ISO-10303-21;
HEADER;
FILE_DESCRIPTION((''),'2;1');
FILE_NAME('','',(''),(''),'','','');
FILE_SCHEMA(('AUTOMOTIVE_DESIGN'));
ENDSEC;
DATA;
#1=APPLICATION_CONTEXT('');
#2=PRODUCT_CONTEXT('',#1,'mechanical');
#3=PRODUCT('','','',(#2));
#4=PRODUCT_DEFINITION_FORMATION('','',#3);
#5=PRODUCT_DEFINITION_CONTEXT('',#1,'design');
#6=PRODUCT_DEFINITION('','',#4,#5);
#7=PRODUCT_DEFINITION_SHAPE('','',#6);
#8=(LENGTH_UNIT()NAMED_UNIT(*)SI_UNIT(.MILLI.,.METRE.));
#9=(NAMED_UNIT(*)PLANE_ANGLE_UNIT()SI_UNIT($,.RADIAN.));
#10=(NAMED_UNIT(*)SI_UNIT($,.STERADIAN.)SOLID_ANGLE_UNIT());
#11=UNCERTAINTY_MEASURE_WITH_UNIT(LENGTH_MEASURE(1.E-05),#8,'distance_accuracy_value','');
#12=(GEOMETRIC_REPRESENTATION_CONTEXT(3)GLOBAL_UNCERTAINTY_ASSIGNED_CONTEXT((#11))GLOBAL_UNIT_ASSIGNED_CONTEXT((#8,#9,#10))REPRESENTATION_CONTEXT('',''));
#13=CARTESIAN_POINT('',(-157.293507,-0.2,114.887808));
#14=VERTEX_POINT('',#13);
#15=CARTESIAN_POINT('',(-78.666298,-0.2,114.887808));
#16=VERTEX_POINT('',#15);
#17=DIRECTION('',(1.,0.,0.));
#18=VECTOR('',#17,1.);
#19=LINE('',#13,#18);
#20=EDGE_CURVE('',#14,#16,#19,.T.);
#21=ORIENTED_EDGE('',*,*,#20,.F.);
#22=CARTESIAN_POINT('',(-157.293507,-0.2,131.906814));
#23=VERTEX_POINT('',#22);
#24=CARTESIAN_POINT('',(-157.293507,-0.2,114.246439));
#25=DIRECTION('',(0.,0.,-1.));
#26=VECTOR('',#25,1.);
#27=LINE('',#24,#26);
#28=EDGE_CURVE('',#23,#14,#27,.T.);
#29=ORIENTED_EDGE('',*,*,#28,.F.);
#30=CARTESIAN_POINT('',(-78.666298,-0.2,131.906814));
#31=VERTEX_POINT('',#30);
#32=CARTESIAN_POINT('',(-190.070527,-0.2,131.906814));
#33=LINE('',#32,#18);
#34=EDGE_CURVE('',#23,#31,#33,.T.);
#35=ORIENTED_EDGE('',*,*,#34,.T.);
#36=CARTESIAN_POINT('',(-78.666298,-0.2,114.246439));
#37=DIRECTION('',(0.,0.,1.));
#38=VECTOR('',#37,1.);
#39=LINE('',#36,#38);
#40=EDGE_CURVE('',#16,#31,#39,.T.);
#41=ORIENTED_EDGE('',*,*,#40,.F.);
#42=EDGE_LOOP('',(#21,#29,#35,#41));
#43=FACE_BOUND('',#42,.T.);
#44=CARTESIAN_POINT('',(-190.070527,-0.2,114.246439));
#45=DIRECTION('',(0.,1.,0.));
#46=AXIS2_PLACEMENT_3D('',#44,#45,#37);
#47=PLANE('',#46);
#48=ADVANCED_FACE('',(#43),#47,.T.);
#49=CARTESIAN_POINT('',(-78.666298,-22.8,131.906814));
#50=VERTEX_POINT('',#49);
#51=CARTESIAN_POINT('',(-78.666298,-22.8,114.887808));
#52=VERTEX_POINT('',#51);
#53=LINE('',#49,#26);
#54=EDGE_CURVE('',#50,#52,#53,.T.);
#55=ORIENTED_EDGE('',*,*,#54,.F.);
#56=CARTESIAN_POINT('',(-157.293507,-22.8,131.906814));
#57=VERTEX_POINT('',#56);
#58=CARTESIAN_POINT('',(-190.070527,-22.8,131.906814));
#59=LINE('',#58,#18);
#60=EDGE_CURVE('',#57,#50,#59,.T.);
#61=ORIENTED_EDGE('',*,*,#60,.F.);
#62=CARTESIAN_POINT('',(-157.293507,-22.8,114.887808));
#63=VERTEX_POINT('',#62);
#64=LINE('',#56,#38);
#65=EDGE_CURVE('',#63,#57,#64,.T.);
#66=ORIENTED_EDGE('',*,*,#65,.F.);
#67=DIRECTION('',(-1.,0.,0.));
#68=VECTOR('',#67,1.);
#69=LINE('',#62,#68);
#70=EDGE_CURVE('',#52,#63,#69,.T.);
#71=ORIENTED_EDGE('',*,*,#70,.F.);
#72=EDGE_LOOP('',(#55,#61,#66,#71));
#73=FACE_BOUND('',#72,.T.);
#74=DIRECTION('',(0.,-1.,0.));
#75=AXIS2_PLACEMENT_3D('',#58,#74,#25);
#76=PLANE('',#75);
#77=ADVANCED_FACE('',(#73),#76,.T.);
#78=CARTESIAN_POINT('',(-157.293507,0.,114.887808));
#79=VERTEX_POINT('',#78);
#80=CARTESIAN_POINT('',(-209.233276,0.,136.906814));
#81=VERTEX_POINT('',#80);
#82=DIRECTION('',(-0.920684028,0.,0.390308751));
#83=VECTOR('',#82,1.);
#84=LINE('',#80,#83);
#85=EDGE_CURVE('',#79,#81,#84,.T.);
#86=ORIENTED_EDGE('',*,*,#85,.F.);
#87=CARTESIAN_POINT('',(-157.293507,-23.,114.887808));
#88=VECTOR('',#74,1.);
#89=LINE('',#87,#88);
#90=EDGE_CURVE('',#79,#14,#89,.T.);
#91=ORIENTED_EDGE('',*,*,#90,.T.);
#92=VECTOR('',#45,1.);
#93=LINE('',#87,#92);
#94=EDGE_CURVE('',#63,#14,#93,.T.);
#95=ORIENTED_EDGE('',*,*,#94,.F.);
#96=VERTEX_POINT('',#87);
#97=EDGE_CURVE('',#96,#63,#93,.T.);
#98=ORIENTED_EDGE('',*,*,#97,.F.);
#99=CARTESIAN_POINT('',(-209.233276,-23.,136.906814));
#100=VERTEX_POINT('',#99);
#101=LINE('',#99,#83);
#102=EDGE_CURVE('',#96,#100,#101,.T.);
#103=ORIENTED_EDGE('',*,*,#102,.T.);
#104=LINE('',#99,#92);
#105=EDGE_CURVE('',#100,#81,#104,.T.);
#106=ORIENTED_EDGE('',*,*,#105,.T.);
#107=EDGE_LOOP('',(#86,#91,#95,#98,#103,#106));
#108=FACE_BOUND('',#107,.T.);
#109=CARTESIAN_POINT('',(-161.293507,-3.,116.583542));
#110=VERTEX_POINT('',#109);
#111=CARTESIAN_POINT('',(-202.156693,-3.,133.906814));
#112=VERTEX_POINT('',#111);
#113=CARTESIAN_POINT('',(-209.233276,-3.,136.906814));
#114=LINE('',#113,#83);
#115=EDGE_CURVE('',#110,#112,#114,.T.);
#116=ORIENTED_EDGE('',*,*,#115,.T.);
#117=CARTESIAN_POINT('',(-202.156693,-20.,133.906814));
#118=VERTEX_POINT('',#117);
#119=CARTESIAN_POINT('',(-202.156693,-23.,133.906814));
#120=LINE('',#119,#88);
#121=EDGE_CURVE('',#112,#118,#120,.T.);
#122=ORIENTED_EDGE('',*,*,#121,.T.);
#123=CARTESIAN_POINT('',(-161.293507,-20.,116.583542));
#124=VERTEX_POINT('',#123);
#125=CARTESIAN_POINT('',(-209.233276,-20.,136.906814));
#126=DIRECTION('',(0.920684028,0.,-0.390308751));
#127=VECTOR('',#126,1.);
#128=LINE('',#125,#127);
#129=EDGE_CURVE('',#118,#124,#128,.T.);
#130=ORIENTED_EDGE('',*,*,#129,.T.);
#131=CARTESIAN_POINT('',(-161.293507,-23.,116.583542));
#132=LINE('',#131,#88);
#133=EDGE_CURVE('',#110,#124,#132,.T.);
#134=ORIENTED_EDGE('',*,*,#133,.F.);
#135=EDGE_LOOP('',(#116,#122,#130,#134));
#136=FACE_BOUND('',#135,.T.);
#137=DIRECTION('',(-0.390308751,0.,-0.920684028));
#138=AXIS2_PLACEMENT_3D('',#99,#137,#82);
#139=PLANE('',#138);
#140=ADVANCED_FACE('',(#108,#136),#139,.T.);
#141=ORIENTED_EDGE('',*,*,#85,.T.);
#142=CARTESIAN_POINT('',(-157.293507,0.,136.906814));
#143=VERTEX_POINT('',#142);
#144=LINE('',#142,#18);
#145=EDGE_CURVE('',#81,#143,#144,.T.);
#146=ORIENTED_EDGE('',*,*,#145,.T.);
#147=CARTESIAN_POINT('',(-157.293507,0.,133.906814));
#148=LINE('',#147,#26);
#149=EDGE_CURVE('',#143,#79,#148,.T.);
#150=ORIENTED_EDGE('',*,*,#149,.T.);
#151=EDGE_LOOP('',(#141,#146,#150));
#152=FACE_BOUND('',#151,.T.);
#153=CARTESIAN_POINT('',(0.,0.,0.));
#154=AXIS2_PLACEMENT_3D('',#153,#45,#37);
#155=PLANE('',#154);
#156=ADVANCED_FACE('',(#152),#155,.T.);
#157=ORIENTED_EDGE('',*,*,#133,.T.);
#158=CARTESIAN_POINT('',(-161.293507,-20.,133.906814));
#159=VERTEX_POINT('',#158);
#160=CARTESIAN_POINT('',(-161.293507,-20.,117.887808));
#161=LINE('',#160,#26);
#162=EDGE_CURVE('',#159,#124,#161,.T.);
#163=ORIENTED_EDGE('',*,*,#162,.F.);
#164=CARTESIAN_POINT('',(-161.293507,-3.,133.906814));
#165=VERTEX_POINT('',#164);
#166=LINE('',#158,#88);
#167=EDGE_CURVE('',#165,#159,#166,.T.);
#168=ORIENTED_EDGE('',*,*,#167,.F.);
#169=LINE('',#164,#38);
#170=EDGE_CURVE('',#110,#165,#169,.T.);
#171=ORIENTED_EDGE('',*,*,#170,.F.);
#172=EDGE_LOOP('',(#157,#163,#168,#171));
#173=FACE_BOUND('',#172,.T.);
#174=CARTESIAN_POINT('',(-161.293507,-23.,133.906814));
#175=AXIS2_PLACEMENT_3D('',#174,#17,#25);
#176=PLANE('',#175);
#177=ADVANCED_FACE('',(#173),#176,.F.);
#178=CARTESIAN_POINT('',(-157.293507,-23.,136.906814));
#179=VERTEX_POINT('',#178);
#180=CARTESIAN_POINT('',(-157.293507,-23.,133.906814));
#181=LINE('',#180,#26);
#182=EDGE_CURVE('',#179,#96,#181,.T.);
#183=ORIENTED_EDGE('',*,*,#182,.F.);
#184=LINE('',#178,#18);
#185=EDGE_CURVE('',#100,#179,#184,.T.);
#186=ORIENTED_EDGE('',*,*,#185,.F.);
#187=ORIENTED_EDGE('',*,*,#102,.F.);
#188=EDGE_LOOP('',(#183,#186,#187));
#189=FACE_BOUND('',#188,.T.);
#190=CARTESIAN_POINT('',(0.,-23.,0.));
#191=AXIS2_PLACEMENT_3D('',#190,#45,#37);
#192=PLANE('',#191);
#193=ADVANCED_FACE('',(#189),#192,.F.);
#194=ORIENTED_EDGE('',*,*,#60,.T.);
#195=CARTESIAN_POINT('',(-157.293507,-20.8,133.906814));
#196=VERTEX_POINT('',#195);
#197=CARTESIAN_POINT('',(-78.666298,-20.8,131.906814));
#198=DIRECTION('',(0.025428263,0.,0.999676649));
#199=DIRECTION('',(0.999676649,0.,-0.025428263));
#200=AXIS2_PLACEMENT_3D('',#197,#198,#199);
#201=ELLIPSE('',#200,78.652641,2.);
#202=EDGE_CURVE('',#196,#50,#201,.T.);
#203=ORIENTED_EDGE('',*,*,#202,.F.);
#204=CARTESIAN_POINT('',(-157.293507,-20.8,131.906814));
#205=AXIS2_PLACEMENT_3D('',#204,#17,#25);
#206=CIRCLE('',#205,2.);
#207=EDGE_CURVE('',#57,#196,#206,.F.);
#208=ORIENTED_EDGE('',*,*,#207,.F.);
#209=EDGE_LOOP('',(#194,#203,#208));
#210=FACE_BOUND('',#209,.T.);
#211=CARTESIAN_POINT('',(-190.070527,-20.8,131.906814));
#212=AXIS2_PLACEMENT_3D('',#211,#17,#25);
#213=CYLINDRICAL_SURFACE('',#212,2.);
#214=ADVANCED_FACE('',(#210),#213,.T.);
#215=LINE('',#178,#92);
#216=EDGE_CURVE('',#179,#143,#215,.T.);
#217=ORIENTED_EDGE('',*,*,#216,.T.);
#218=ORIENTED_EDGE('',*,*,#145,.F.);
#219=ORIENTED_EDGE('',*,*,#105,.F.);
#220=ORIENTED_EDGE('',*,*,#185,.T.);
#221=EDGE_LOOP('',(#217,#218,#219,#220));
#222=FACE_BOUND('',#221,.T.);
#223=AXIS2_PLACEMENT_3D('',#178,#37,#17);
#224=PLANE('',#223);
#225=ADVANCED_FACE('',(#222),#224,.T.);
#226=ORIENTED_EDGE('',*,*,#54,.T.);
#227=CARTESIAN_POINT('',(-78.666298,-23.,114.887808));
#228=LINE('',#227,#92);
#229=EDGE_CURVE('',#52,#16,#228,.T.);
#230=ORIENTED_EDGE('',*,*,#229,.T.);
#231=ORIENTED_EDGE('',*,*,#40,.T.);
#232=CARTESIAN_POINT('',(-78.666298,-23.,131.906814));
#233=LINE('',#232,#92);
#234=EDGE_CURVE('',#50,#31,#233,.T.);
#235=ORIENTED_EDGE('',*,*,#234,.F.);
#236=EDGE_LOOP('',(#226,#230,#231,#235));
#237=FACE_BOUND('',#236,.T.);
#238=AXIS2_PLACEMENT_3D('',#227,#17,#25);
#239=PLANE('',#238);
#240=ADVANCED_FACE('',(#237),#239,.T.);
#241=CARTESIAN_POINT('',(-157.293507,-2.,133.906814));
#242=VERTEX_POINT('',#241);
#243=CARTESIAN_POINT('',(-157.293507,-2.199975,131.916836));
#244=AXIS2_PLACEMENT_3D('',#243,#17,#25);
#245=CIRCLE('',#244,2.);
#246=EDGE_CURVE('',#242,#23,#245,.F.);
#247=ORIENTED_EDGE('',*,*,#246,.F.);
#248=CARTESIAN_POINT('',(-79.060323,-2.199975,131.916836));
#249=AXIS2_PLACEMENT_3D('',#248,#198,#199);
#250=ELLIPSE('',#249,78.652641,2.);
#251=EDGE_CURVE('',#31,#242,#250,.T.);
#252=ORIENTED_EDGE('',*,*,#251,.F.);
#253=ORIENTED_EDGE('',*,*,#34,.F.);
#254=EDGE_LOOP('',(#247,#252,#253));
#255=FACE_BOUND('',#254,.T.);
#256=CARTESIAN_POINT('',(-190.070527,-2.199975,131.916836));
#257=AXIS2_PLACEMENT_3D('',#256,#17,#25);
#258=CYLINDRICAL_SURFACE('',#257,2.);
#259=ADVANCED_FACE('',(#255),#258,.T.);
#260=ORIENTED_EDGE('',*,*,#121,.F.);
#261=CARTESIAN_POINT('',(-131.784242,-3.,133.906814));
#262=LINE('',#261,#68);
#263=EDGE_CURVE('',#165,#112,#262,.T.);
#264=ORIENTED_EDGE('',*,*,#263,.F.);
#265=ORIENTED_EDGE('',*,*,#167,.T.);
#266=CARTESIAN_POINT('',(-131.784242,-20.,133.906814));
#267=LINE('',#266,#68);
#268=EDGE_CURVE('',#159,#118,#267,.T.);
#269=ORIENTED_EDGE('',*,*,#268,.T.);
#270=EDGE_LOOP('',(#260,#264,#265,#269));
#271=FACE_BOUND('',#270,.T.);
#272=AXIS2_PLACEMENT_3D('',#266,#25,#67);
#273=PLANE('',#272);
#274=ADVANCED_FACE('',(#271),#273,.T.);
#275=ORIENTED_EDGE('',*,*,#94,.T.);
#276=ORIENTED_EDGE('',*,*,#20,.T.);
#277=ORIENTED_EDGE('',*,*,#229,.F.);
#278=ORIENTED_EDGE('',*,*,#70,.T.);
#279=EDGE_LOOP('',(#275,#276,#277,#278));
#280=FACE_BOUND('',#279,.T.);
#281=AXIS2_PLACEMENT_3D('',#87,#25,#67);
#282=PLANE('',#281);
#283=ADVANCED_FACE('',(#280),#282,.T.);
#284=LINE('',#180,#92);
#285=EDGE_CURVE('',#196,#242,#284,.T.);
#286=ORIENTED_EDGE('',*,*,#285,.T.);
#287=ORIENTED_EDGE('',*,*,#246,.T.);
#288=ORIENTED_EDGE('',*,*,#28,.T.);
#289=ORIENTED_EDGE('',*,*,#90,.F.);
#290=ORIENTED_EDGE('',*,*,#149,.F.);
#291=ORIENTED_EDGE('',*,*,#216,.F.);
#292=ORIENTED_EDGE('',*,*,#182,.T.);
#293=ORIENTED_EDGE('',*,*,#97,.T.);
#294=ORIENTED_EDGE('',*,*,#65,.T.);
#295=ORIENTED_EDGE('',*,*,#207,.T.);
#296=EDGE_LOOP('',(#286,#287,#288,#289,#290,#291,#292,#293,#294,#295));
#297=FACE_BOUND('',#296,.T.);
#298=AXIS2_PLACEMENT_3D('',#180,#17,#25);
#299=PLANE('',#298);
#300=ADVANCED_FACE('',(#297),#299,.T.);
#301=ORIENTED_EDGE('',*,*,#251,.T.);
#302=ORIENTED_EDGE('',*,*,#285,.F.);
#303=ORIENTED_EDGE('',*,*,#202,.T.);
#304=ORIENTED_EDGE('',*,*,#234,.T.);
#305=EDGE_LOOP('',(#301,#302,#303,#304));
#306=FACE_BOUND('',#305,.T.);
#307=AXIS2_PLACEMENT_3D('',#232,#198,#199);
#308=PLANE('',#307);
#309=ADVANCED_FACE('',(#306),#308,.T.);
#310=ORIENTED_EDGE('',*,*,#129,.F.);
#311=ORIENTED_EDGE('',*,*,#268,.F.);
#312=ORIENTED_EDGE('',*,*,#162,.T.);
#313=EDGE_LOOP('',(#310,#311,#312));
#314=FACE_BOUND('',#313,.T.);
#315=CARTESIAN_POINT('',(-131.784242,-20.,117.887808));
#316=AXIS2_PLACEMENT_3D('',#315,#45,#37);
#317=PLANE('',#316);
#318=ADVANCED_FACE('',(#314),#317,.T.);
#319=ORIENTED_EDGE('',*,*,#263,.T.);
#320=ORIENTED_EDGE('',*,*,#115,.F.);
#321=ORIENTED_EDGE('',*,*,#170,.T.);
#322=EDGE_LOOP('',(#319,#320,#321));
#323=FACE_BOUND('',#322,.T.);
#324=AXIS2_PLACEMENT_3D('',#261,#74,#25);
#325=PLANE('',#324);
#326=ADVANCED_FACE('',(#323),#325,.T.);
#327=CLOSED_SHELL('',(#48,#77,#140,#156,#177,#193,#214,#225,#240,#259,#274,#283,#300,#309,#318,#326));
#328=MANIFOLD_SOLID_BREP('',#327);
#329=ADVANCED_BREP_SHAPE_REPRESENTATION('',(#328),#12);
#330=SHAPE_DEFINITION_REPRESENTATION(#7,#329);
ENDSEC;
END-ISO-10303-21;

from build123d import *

# Parameters (mm, degrees)
BOSS_EXTRU_1_DEPTH              = 23
ENL_V_MAT_EXTRU_2_DEPTH         = 47.939769219
ENL_V_DE_MAT_EXTRU_MINCE1_DEPTH = 78.627208506


with BuildPart() as part:
    # Esquisse3 → Boss.-Extru.1 (new body)
    with BuildSketch(Plane(origin=(0, 0, 0), x_dir=(1, 0, 0), z_dir=(0, 1, 0))):
        Polygon((-209.233275871, -136.906813661), (-157.293506651, -114.887808395), (-78.666298145, -114.887808395), (-78.666298145, -131.906813661), (-157.293506651, -133.906813661), (-157.293506651, -136.906813661), align=None)
    extrude(amount=-BOSS_EXTRU_1_DEPTH)

    # Esquisse5 → Enlèv. mat.-Extru.2 (cut)
    with BuildSketch(Plane.YZ.offset(-209.233275871)):
        Polygon((-20, 133.906813661), (-20, 117.887808395), (-20, 114.887808395), (-3, 114.887808395), (-3, 117.887808395), (-3, 133.906813661), align=None)
    extrude(amount=ENL_V_MAT_EXTRU_2_DEPTH, mode=Mode.SUBTRACT)

    # Esquisse6 → Enlèv. de mat.-Extru.-Mince1 (cut)
    with BuildSketch(Plane(origin=(-78.666298145, 0, 0), x_dir=(0, 0, -1), z_dir=(1, 0, 0))):
        with BuildLine():
            Line((-134.906813661, -20.8), (-134.906813661, -1.954954154))
            ThreePointArc((-134.906813661, -1.954954154), (-133.945165816, 0.010427616), (-131.904561119, 0.8))
            Line((-131.904561119, 0.8), (-113.24643884, 0.8))
            Line((-113.24643884, 0.8), (-113.24643884, -23.8))
            Line((-113.24643884, -23.8), (-131.906813661, -23.8))
            ThreePointArc((-131.906813661, -23.8), (-134.028134004, -22.921320344), (-134.906813661, -20.8))
        make_face()
        with BuildLine():
            Line((-133.906813661, -20.8), (-133.906813661, -2))
            ThreePointArc((-133.906813661, -2), (-133.254765726, -0.713386594), (-131.906813661, -0.2))
            Line((-131.906813661, -0.2), (-114.24643884, -0.2))
            Line((-114.24643884, -0.2), (-114.24643884, -22.8))
            Line((-114.24643884, -22.8), (-131.906813661, -22.8))
            ThreePointArc((-131.906813661, -22.8), (-133.321027223, -22.214213562), (-133.906813661, -20.8))
        make_face(mode=Mode.SUBTRACT)
    extrude(amount=-ENL_V_DE_MAT_EXTRU_MINCE1_DEPTH, mode=Mode.SUBTRACT)


solid = part.part
